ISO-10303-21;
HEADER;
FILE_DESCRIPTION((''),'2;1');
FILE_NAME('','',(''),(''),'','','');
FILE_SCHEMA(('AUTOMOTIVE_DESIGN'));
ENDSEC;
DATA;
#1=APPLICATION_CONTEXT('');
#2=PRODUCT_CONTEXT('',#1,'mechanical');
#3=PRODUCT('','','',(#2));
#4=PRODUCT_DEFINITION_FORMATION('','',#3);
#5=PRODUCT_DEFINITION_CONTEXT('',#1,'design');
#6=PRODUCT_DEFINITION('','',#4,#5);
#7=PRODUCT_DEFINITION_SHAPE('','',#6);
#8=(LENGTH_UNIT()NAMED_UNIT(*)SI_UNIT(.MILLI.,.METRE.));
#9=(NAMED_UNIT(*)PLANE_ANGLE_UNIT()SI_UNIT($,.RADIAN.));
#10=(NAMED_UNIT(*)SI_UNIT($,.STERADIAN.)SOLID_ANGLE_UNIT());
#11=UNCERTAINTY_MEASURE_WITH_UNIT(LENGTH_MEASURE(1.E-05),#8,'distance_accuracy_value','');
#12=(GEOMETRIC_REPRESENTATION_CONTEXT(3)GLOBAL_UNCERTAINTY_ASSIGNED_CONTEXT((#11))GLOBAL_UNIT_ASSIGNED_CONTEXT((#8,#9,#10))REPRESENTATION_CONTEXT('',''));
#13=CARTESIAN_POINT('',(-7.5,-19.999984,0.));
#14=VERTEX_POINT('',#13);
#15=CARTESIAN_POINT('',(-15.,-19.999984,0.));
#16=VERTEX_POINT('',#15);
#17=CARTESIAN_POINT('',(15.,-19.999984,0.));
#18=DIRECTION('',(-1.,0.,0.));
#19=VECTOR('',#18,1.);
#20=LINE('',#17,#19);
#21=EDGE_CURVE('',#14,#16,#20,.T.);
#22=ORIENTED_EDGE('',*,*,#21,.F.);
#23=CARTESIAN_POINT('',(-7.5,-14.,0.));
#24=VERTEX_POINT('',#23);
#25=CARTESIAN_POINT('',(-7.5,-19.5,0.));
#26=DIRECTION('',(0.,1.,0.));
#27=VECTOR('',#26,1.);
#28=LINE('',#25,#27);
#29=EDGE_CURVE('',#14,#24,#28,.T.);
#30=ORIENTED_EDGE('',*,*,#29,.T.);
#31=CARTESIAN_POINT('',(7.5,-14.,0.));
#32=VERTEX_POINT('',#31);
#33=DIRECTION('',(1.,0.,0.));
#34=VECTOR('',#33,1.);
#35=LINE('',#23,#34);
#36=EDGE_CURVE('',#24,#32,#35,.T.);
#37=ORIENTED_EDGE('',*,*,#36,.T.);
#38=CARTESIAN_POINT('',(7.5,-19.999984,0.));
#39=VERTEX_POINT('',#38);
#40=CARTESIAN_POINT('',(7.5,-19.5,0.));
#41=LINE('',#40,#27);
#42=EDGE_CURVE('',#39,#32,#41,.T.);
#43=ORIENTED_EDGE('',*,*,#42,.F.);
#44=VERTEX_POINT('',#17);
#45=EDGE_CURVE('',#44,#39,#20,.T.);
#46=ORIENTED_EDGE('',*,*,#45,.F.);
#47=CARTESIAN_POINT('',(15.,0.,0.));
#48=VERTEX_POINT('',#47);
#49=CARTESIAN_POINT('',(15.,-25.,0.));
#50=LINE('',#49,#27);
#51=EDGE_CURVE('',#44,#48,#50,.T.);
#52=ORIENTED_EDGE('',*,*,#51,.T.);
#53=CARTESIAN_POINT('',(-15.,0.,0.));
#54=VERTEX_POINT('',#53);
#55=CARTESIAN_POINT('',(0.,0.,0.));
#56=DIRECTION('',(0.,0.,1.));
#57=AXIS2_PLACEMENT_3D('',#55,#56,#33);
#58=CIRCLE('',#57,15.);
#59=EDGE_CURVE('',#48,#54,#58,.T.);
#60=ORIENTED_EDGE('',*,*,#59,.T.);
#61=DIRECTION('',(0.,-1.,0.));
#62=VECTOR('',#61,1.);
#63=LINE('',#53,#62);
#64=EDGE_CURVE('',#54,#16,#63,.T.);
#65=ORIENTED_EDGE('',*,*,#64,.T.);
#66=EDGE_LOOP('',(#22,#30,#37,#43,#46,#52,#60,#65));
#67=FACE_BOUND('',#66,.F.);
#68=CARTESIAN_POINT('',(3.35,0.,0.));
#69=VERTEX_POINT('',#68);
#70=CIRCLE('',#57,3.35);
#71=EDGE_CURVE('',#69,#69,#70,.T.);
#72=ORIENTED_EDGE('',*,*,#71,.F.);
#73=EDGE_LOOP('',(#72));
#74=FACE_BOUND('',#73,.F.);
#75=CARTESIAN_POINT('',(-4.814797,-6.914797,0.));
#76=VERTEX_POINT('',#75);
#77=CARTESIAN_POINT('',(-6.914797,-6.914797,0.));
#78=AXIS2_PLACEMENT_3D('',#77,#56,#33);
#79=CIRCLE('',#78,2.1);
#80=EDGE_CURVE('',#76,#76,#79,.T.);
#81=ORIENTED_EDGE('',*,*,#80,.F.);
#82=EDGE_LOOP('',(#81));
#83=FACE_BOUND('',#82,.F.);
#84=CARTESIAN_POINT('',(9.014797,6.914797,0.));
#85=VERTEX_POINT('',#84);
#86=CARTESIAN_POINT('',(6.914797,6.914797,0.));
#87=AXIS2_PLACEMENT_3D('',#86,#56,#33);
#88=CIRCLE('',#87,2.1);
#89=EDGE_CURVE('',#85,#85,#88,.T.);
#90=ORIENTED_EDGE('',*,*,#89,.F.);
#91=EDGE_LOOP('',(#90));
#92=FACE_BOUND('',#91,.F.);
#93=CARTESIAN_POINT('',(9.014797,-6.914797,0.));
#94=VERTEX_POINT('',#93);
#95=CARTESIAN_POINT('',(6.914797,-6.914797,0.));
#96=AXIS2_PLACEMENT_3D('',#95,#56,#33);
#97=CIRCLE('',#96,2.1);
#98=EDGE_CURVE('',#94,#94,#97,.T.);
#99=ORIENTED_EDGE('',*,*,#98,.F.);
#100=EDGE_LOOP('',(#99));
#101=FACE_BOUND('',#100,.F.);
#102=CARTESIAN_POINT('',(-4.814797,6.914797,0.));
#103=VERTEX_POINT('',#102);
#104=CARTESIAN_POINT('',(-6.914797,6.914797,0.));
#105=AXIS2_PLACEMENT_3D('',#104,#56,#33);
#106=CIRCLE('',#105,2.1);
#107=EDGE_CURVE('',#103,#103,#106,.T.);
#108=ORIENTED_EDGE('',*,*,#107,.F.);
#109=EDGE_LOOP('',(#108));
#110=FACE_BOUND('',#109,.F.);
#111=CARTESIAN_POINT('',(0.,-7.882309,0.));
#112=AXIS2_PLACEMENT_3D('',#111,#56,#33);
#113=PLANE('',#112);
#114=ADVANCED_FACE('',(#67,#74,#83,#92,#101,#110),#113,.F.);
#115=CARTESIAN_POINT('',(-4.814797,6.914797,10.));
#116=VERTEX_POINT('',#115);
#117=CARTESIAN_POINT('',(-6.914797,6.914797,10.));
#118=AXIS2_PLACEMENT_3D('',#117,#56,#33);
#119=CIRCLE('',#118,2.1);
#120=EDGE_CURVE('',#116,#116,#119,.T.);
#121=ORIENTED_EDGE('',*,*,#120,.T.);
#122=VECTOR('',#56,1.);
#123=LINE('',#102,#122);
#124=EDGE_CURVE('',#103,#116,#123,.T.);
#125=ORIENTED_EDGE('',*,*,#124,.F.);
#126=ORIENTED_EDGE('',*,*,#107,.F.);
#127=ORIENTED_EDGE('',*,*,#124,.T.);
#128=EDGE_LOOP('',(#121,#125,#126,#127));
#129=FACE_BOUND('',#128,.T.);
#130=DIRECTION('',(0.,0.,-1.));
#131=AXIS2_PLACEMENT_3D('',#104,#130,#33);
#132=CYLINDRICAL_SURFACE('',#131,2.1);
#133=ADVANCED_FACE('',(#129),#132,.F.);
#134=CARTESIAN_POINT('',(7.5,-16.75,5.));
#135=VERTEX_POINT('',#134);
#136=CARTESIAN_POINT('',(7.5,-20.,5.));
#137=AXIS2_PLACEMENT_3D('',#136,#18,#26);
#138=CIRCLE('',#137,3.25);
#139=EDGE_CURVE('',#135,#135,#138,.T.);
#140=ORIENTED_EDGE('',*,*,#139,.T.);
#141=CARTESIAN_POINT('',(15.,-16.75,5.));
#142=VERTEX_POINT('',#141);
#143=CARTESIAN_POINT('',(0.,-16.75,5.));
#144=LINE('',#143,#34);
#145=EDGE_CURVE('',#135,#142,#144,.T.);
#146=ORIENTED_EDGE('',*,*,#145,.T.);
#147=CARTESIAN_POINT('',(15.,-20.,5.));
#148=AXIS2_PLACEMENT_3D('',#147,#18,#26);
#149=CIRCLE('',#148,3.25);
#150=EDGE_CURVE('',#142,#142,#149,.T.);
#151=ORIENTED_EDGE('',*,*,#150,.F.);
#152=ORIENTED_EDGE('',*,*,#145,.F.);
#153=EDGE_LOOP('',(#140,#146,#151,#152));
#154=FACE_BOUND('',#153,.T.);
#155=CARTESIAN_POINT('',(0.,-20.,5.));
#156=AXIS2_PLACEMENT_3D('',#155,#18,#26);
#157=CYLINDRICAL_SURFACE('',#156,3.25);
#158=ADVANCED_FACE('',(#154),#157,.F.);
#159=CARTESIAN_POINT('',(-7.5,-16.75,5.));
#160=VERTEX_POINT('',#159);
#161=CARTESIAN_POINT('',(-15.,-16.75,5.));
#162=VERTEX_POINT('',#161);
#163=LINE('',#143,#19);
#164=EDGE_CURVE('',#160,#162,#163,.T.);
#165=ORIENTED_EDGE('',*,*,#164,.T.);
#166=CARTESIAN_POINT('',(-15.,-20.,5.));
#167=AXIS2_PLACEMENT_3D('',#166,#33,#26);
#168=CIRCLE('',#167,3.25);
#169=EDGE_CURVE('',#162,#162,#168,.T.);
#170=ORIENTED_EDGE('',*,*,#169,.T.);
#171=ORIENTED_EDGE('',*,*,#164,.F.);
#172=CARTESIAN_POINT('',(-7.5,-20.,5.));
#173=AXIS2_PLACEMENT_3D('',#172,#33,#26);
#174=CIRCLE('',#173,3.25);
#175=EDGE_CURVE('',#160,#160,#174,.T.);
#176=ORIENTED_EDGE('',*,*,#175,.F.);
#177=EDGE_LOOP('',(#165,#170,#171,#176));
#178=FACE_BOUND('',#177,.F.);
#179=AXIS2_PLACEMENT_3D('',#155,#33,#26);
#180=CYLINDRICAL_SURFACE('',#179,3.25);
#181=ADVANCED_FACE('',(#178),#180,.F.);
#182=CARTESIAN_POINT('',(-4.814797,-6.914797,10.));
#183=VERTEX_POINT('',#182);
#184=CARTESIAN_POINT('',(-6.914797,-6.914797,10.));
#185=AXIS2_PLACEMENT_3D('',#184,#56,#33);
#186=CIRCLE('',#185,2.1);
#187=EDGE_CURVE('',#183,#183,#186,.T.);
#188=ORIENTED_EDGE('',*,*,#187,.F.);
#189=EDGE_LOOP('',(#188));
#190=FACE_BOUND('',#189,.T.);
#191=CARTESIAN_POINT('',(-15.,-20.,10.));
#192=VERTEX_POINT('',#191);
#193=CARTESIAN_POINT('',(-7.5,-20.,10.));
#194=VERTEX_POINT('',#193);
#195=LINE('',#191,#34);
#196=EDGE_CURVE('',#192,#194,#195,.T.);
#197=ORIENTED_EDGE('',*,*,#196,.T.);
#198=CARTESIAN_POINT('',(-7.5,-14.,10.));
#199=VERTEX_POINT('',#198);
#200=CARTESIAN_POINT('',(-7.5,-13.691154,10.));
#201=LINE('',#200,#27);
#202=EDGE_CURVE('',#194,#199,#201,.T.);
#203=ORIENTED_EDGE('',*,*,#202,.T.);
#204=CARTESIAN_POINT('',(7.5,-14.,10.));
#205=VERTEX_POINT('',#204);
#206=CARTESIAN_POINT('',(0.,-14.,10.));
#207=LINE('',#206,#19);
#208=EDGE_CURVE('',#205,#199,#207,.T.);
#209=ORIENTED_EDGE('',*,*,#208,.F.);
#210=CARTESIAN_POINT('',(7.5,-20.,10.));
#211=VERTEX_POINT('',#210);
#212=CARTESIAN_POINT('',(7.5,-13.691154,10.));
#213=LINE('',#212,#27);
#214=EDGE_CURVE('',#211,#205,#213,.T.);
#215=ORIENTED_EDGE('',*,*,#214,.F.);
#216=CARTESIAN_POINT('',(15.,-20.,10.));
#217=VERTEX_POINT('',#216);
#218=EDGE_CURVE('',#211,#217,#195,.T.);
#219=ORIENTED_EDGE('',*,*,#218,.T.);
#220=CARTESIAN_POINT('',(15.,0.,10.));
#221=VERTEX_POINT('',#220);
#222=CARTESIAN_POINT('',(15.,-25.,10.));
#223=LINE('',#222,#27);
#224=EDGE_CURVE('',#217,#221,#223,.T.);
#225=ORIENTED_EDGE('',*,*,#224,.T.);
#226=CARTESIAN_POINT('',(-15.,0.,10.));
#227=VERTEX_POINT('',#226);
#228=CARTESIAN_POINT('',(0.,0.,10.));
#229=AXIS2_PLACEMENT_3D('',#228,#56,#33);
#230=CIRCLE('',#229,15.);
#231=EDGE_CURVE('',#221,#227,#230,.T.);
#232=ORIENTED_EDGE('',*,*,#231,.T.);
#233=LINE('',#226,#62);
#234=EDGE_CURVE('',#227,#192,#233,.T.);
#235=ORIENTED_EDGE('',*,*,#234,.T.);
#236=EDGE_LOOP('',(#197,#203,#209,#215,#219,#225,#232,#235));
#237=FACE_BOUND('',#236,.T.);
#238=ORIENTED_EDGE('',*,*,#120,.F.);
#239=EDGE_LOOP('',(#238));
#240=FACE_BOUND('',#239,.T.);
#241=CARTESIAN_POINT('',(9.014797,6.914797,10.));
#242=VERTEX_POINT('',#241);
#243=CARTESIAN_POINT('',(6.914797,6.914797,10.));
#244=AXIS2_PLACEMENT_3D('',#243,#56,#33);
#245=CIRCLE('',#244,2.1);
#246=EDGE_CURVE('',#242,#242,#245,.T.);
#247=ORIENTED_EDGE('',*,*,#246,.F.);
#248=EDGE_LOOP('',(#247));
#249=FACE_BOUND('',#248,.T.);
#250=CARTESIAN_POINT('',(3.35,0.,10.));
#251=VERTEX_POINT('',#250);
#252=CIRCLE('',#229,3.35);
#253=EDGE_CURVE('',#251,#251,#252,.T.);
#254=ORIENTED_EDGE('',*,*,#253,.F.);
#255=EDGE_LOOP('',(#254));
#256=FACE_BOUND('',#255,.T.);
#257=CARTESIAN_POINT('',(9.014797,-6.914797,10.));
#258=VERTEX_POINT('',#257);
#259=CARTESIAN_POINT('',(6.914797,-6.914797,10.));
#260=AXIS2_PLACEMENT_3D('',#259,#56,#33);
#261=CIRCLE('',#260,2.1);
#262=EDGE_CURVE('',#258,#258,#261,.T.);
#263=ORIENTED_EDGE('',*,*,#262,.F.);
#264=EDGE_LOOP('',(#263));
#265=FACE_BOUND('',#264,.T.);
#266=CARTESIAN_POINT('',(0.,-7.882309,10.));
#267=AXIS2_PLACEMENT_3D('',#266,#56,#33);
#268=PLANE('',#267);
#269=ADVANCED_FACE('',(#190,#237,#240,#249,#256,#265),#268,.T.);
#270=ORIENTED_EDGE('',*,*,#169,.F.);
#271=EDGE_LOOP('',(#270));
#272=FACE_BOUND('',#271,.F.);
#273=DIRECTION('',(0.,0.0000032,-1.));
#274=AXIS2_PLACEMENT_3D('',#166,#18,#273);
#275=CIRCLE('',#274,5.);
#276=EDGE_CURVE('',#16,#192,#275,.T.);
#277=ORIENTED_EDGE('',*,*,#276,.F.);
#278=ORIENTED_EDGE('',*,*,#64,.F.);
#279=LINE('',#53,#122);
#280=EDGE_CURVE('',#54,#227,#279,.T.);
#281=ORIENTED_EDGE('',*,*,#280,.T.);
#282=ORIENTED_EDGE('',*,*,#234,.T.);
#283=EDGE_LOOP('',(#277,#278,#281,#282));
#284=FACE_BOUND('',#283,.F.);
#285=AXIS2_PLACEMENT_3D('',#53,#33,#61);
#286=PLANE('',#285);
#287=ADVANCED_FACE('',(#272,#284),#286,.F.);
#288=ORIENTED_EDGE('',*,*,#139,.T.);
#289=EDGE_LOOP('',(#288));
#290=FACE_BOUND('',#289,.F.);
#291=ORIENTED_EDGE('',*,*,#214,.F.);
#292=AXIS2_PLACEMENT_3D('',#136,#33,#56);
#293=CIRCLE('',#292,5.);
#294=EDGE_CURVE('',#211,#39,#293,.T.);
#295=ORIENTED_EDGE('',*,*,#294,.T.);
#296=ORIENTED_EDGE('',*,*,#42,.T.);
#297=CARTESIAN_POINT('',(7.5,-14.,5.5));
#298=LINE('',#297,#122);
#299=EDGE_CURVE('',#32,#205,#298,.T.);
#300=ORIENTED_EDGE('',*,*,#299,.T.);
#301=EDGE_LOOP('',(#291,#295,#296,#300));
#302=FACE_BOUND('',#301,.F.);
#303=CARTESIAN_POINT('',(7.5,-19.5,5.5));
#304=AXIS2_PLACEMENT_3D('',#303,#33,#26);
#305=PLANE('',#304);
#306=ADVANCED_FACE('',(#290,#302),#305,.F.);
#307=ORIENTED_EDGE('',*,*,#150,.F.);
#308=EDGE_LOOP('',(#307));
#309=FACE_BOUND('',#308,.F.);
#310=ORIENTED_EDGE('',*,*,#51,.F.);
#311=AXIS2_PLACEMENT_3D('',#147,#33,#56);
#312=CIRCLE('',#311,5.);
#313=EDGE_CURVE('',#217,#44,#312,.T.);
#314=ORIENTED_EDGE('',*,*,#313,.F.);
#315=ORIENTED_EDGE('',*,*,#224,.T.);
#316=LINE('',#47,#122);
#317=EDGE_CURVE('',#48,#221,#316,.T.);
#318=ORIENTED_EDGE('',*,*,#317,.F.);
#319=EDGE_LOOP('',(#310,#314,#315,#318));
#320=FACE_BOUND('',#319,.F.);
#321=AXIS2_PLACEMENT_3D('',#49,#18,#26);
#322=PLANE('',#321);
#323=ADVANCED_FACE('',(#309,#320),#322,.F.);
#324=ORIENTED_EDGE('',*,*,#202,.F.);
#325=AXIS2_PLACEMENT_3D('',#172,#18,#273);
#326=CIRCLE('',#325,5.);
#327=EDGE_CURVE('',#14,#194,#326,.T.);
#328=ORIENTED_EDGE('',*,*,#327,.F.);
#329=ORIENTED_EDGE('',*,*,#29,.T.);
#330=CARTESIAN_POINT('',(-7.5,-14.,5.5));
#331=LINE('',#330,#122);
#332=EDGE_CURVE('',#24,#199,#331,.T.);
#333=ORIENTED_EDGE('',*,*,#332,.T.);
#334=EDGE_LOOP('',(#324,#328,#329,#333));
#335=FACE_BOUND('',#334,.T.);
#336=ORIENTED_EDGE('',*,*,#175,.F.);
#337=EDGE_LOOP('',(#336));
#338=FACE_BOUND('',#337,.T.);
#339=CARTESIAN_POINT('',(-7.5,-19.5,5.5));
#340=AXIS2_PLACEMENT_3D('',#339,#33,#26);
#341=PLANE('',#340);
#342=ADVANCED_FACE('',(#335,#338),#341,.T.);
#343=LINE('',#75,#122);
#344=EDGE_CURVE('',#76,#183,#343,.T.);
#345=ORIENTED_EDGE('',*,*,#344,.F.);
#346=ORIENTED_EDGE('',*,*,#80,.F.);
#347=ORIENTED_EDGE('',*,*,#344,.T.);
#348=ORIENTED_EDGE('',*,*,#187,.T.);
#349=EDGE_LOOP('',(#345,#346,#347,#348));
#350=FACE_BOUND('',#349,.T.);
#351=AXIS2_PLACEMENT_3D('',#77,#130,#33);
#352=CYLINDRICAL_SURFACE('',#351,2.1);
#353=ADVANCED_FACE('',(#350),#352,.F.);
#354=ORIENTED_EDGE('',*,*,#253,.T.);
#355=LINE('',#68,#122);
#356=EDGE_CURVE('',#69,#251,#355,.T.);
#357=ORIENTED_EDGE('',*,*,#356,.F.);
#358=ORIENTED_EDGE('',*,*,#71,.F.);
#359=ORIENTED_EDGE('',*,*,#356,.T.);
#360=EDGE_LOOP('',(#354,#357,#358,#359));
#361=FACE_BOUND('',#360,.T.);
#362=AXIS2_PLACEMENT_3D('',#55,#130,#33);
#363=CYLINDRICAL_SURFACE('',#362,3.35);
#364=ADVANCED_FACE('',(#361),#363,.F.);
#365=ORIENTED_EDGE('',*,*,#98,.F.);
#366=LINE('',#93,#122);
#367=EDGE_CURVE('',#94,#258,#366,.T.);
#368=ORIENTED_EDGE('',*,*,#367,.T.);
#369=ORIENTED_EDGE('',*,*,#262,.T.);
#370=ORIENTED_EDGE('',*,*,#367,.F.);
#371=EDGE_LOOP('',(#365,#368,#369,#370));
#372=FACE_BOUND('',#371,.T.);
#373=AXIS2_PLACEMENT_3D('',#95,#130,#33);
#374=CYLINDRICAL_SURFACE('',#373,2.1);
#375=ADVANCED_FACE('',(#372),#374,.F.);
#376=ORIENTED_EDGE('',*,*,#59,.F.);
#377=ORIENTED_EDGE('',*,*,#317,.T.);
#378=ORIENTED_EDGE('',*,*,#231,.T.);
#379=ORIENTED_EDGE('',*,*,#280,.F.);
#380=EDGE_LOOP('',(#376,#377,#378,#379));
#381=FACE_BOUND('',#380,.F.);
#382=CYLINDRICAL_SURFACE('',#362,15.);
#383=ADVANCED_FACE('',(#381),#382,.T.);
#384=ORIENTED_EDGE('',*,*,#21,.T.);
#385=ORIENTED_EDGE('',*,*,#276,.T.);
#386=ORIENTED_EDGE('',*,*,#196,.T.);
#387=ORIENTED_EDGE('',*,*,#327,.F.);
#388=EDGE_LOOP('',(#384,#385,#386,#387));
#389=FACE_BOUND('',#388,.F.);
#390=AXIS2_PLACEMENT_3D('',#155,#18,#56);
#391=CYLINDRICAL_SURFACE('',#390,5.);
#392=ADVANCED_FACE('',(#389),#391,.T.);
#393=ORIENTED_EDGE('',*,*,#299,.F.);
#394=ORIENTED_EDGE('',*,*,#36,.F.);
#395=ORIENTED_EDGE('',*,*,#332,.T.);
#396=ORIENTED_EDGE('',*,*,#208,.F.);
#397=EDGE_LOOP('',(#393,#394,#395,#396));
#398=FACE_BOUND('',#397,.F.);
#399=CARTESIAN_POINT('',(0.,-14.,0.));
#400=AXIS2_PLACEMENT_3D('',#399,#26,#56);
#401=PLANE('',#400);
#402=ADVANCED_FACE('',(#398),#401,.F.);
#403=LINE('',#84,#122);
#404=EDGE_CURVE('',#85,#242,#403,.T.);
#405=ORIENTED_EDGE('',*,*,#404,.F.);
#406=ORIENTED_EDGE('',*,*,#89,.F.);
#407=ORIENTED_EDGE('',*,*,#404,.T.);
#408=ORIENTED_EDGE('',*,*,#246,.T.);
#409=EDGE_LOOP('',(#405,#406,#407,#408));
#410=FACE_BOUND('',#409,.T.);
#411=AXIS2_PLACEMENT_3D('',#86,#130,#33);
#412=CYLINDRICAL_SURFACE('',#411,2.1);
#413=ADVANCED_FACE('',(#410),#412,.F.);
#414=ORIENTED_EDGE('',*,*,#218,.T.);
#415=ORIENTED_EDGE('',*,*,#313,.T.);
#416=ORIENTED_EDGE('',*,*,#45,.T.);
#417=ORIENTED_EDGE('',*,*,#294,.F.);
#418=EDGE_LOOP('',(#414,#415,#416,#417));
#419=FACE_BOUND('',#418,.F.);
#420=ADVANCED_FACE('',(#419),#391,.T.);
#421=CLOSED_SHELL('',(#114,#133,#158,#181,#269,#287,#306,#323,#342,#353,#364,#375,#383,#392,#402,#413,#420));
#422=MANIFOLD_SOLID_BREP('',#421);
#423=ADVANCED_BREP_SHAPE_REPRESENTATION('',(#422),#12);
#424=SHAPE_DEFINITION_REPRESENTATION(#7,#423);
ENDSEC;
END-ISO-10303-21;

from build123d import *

# Parameters (mm, degrees)
SKETCH002_R       = 3.35
SKETCH002_R_2     = 2.1
PAD002_DEPTH      = 10
SKETCH003_R       = 3.25
POCKET_DEPTH      = 15.001
POCKET_DEPTH_BACK = 15.001
SKETCH004_W       = 11
SKETCH004_H       = 11
POCKET001_DEPTH   = 7.5


with BuildPart() as part:
    # Sketch002 → Pad002 (new body)
    with BuildSketch(Plane.XY):
        with BuildLine():
            ThreePointArc((15, 0), (0, 15), (-15, 0))
            Line((-15, 0), (-15, -25))
            Line((-15, -25), (15, -25))
            Line((15, -25), (15, 0))
        make_face()
        Circle(SKETCH002_R, mode=Mode.SUBTRACT)
        with Locations((-6.914797, 6.914797)):
            Circle(SKETCH002_R_2, mode=Mode.SUBTRACT)
        with Locations((6.914797, 6.914797)):
            Circle(SKETCH002_R_2, mode=Mode.SUBTRACT)
        with Locations((6.914797, -6.914797)):
            Circle(SKETCH002_R_2, mode=Mode.SUBTRACT)
        with Locations((-6.914797, -6.914797)):
            Circle(SKETCH002_R_2, mode=Mode.SUBTRACT)
    extrude(amount=PAD002_DEPTH)

    # Sketch003 → Pocket (cut, two sides)
    with BuildSketch(Plane.YZ) as pocket_sk:
        with Locations((-20, 5)):
            Circle(SKETCH003_R)
        with BuildLine():
            ThreePointArc((-20, 10), (-25, 4.999992), (-19.999984, 0))
            Line((-26, 0), (-19.999984, 0))
            Line((-26, 10), (-26, 0))
            Line((-20, 10), (-26, 10))
        make_face()
    extrude(amount=-POCKET_DEPTH, mode=Mode.SUBTRACT)
    extrude(pocket_sk.sketch, amount=POCKET_DEPTH_BACK, mode=Mode.SUBTRACT)

    # Sketch004 → Pocket001 (cut, symmetric)
    with BuildSketch(Plane.YZ):
        with Locations((-19.5, 5.5)):
            Rectangle(SKETCH004_W, SKETCH004_H)
    extrude(amount=POCKET001_DEPTH, both=True, mode=Mode.SUBTRACT)


solid = part.part
